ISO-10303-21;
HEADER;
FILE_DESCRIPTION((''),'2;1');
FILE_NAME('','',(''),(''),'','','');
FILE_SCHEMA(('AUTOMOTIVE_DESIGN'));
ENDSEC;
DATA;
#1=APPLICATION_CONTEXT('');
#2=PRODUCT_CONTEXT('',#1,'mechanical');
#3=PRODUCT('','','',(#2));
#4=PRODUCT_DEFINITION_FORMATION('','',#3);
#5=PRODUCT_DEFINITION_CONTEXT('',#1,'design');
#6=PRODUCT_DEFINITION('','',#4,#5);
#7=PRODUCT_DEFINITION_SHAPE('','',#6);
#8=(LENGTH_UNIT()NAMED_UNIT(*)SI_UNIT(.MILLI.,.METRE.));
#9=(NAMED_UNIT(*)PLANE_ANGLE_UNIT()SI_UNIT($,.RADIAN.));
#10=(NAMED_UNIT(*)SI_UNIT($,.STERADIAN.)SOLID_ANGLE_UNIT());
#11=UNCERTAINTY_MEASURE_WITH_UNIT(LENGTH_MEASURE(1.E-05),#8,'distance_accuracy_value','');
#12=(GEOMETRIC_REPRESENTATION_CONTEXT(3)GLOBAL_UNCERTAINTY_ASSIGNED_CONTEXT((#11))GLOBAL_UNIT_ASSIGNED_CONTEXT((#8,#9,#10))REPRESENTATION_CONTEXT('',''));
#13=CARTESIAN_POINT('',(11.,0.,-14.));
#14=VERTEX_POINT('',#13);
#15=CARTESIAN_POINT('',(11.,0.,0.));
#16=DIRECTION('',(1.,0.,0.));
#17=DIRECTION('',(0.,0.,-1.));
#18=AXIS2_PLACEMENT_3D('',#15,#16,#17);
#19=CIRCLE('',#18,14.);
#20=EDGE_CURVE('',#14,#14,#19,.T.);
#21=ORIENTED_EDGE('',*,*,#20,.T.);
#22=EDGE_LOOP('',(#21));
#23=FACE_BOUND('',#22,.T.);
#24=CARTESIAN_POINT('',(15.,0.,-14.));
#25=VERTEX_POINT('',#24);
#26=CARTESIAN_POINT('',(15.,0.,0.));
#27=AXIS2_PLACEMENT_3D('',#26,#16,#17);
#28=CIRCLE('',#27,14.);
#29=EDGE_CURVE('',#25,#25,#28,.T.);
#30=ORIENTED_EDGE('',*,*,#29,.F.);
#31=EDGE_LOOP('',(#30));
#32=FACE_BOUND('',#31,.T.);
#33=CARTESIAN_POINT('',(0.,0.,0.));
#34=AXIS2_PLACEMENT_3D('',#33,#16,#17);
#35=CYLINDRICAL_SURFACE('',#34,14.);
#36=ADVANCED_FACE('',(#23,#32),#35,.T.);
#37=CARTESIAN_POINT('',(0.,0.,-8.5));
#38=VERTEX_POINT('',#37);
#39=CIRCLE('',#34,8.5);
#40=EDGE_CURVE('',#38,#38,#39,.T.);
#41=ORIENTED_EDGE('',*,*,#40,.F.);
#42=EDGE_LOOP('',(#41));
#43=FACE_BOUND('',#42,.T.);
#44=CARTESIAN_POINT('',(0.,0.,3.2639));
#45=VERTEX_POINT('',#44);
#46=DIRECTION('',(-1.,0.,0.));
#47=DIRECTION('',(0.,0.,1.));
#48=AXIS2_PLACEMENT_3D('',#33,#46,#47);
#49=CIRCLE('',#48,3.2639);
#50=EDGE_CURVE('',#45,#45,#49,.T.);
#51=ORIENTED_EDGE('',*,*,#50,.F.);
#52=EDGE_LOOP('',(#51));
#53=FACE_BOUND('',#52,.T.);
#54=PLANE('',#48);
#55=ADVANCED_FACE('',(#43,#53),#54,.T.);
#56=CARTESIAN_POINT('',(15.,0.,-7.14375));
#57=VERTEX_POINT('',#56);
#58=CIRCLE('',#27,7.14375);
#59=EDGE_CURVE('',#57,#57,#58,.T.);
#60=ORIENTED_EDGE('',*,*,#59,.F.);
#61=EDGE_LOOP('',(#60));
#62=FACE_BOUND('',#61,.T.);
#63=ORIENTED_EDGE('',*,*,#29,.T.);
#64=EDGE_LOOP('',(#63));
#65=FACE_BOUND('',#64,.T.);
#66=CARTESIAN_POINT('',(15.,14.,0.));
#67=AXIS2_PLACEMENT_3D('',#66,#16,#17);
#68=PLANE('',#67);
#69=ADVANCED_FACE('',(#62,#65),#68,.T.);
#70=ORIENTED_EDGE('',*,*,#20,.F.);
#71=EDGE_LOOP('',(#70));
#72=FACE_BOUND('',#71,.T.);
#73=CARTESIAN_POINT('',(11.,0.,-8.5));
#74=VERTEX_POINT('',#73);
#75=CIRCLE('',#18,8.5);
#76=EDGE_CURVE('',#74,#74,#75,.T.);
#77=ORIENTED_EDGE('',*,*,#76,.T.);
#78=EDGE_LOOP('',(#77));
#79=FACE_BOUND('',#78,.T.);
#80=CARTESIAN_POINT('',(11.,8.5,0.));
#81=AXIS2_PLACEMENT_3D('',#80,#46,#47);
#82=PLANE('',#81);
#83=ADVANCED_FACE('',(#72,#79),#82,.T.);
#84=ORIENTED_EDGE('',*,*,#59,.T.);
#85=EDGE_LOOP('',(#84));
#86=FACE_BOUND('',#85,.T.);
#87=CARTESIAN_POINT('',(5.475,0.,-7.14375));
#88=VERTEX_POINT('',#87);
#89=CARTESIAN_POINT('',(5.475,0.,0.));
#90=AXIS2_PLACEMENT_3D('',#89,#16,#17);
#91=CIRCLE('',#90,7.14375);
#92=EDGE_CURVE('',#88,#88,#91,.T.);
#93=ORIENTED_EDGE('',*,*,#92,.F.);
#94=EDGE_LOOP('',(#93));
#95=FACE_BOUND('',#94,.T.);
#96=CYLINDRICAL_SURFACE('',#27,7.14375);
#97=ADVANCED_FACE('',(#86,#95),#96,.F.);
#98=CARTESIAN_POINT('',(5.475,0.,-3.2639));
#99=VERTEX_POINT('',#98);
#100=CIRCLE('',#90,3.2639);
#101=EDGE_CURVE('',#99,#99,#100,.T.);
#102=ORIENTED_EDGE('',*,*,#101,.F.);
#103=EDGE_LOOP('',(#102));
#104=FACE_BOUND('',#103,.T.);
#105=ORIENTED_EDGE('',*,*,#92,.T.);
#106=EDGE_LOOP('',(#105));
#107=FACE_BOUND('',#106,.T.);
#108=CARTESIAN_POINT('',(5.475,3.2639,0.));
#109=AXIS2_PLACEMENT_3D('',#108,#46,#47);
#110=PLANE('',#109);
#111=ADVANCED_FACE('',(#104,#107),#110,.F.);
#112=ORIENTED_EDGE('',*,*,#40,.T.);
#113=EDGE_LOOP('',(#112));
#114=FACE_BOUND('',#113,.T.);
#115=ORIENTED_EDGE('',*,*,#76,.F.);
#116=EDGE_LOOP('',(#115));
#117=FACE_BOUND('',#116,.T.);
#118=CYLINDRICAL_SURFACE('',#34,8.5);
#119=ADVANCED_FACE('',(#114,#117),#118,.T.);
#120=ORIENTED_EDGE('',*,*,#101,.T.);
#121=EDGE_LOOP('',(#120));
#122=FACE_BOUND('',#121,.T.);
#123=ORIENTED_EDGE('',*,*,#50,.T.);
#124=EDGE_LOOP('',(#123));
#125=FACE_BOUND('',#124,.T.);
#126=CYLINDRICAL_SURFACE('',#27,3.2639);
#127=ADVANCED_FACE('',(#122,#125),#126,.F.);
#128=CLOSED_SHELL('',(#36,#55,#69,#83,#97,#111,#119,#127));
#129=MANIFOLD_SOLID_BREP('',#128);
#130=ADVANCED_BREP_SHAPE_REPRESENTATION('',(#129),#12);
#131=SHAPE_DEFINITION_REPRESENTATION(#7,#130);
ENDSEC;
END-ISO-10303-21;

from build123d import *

# Parameters (mm, degrees)
CBORE_FOR_1_4_BINDING_HEAD_MACHINE_SCREW_D           = 6.5278
CBORE_FOR_1_4_BINDING_HEAD_MACHINE_SCREW_DEPTH       = 303
CBORE_FOR_1_4_BINDING_HEAD_MACHINE_SCREW_CBORE_D     = 14.2875
CBORE_FOR_1_4_BINDING_HEAD_MACHINE_SCREW_CBORE_DEPTH = 9.525
CBORE_FOR_1_4_BINDING_HEAD_MACHINE_SCREW_TIP         = 1.961148974


with BuildPart() as part:
    # Sketch1 → Revolve1 (revolve)
    with BuildSketch(Plane.XY, mode=Mode.PRIVATE) as revolve1_sk:
        Polygon((0, 0), (0, 8.5), (11, 8.5), (11, 14), (15, 14), (15, 0), align=None)
    revolve(revolve1_sk.sketch.rotate(Axis((0, 0, 0), (-1, 0, 0)), 90), axis=Axis((0, 0, 0), (-1, 0, 0)))

    # CBORE for 1/4 Binding Head Machine Screw1
    with Locations(Plane(origin=(15, 0, 0), x_dir=(0, 0, -1), z_dir=(1, 0, 0))):
        with Locations((0, 0)):
            CounterBoreHole(CBORE_FOR_1_4_BINDING_HEAD_MACHINE_SCREW_D / 2, CBORE_FOR_1_4_BINDING_HEAD_MACHINE_SCREW_CBORE_D / 2, CBORE_FOR_1_4_BINDING_HEAD_MACHINE_SCREW_CBORE_DEPTH, depth=CBORE_FOR_1_4_BINDING_HEAD_MACHINE_SCREW_DEPTH)
            with Locations((0, 0, -(CBORE_FOR_1_4_BINDING_HEAD_MACHINE_SCREW_DEPTH + CBORE_FOR_1_4_BINDING_HEAD_MACHINE_SCREW_TIP / 2))):  # 118° drill point
                Cone(0, CBORE_FOR_1_4_BINDING_HEAD_MACHINE_SCREW_D / 2, CBORE_FOR_1_4_BINDING_HEAD_MACHINE_SCREW_TIP, mode=Mode.SUBTRACT)


solid = part.part
